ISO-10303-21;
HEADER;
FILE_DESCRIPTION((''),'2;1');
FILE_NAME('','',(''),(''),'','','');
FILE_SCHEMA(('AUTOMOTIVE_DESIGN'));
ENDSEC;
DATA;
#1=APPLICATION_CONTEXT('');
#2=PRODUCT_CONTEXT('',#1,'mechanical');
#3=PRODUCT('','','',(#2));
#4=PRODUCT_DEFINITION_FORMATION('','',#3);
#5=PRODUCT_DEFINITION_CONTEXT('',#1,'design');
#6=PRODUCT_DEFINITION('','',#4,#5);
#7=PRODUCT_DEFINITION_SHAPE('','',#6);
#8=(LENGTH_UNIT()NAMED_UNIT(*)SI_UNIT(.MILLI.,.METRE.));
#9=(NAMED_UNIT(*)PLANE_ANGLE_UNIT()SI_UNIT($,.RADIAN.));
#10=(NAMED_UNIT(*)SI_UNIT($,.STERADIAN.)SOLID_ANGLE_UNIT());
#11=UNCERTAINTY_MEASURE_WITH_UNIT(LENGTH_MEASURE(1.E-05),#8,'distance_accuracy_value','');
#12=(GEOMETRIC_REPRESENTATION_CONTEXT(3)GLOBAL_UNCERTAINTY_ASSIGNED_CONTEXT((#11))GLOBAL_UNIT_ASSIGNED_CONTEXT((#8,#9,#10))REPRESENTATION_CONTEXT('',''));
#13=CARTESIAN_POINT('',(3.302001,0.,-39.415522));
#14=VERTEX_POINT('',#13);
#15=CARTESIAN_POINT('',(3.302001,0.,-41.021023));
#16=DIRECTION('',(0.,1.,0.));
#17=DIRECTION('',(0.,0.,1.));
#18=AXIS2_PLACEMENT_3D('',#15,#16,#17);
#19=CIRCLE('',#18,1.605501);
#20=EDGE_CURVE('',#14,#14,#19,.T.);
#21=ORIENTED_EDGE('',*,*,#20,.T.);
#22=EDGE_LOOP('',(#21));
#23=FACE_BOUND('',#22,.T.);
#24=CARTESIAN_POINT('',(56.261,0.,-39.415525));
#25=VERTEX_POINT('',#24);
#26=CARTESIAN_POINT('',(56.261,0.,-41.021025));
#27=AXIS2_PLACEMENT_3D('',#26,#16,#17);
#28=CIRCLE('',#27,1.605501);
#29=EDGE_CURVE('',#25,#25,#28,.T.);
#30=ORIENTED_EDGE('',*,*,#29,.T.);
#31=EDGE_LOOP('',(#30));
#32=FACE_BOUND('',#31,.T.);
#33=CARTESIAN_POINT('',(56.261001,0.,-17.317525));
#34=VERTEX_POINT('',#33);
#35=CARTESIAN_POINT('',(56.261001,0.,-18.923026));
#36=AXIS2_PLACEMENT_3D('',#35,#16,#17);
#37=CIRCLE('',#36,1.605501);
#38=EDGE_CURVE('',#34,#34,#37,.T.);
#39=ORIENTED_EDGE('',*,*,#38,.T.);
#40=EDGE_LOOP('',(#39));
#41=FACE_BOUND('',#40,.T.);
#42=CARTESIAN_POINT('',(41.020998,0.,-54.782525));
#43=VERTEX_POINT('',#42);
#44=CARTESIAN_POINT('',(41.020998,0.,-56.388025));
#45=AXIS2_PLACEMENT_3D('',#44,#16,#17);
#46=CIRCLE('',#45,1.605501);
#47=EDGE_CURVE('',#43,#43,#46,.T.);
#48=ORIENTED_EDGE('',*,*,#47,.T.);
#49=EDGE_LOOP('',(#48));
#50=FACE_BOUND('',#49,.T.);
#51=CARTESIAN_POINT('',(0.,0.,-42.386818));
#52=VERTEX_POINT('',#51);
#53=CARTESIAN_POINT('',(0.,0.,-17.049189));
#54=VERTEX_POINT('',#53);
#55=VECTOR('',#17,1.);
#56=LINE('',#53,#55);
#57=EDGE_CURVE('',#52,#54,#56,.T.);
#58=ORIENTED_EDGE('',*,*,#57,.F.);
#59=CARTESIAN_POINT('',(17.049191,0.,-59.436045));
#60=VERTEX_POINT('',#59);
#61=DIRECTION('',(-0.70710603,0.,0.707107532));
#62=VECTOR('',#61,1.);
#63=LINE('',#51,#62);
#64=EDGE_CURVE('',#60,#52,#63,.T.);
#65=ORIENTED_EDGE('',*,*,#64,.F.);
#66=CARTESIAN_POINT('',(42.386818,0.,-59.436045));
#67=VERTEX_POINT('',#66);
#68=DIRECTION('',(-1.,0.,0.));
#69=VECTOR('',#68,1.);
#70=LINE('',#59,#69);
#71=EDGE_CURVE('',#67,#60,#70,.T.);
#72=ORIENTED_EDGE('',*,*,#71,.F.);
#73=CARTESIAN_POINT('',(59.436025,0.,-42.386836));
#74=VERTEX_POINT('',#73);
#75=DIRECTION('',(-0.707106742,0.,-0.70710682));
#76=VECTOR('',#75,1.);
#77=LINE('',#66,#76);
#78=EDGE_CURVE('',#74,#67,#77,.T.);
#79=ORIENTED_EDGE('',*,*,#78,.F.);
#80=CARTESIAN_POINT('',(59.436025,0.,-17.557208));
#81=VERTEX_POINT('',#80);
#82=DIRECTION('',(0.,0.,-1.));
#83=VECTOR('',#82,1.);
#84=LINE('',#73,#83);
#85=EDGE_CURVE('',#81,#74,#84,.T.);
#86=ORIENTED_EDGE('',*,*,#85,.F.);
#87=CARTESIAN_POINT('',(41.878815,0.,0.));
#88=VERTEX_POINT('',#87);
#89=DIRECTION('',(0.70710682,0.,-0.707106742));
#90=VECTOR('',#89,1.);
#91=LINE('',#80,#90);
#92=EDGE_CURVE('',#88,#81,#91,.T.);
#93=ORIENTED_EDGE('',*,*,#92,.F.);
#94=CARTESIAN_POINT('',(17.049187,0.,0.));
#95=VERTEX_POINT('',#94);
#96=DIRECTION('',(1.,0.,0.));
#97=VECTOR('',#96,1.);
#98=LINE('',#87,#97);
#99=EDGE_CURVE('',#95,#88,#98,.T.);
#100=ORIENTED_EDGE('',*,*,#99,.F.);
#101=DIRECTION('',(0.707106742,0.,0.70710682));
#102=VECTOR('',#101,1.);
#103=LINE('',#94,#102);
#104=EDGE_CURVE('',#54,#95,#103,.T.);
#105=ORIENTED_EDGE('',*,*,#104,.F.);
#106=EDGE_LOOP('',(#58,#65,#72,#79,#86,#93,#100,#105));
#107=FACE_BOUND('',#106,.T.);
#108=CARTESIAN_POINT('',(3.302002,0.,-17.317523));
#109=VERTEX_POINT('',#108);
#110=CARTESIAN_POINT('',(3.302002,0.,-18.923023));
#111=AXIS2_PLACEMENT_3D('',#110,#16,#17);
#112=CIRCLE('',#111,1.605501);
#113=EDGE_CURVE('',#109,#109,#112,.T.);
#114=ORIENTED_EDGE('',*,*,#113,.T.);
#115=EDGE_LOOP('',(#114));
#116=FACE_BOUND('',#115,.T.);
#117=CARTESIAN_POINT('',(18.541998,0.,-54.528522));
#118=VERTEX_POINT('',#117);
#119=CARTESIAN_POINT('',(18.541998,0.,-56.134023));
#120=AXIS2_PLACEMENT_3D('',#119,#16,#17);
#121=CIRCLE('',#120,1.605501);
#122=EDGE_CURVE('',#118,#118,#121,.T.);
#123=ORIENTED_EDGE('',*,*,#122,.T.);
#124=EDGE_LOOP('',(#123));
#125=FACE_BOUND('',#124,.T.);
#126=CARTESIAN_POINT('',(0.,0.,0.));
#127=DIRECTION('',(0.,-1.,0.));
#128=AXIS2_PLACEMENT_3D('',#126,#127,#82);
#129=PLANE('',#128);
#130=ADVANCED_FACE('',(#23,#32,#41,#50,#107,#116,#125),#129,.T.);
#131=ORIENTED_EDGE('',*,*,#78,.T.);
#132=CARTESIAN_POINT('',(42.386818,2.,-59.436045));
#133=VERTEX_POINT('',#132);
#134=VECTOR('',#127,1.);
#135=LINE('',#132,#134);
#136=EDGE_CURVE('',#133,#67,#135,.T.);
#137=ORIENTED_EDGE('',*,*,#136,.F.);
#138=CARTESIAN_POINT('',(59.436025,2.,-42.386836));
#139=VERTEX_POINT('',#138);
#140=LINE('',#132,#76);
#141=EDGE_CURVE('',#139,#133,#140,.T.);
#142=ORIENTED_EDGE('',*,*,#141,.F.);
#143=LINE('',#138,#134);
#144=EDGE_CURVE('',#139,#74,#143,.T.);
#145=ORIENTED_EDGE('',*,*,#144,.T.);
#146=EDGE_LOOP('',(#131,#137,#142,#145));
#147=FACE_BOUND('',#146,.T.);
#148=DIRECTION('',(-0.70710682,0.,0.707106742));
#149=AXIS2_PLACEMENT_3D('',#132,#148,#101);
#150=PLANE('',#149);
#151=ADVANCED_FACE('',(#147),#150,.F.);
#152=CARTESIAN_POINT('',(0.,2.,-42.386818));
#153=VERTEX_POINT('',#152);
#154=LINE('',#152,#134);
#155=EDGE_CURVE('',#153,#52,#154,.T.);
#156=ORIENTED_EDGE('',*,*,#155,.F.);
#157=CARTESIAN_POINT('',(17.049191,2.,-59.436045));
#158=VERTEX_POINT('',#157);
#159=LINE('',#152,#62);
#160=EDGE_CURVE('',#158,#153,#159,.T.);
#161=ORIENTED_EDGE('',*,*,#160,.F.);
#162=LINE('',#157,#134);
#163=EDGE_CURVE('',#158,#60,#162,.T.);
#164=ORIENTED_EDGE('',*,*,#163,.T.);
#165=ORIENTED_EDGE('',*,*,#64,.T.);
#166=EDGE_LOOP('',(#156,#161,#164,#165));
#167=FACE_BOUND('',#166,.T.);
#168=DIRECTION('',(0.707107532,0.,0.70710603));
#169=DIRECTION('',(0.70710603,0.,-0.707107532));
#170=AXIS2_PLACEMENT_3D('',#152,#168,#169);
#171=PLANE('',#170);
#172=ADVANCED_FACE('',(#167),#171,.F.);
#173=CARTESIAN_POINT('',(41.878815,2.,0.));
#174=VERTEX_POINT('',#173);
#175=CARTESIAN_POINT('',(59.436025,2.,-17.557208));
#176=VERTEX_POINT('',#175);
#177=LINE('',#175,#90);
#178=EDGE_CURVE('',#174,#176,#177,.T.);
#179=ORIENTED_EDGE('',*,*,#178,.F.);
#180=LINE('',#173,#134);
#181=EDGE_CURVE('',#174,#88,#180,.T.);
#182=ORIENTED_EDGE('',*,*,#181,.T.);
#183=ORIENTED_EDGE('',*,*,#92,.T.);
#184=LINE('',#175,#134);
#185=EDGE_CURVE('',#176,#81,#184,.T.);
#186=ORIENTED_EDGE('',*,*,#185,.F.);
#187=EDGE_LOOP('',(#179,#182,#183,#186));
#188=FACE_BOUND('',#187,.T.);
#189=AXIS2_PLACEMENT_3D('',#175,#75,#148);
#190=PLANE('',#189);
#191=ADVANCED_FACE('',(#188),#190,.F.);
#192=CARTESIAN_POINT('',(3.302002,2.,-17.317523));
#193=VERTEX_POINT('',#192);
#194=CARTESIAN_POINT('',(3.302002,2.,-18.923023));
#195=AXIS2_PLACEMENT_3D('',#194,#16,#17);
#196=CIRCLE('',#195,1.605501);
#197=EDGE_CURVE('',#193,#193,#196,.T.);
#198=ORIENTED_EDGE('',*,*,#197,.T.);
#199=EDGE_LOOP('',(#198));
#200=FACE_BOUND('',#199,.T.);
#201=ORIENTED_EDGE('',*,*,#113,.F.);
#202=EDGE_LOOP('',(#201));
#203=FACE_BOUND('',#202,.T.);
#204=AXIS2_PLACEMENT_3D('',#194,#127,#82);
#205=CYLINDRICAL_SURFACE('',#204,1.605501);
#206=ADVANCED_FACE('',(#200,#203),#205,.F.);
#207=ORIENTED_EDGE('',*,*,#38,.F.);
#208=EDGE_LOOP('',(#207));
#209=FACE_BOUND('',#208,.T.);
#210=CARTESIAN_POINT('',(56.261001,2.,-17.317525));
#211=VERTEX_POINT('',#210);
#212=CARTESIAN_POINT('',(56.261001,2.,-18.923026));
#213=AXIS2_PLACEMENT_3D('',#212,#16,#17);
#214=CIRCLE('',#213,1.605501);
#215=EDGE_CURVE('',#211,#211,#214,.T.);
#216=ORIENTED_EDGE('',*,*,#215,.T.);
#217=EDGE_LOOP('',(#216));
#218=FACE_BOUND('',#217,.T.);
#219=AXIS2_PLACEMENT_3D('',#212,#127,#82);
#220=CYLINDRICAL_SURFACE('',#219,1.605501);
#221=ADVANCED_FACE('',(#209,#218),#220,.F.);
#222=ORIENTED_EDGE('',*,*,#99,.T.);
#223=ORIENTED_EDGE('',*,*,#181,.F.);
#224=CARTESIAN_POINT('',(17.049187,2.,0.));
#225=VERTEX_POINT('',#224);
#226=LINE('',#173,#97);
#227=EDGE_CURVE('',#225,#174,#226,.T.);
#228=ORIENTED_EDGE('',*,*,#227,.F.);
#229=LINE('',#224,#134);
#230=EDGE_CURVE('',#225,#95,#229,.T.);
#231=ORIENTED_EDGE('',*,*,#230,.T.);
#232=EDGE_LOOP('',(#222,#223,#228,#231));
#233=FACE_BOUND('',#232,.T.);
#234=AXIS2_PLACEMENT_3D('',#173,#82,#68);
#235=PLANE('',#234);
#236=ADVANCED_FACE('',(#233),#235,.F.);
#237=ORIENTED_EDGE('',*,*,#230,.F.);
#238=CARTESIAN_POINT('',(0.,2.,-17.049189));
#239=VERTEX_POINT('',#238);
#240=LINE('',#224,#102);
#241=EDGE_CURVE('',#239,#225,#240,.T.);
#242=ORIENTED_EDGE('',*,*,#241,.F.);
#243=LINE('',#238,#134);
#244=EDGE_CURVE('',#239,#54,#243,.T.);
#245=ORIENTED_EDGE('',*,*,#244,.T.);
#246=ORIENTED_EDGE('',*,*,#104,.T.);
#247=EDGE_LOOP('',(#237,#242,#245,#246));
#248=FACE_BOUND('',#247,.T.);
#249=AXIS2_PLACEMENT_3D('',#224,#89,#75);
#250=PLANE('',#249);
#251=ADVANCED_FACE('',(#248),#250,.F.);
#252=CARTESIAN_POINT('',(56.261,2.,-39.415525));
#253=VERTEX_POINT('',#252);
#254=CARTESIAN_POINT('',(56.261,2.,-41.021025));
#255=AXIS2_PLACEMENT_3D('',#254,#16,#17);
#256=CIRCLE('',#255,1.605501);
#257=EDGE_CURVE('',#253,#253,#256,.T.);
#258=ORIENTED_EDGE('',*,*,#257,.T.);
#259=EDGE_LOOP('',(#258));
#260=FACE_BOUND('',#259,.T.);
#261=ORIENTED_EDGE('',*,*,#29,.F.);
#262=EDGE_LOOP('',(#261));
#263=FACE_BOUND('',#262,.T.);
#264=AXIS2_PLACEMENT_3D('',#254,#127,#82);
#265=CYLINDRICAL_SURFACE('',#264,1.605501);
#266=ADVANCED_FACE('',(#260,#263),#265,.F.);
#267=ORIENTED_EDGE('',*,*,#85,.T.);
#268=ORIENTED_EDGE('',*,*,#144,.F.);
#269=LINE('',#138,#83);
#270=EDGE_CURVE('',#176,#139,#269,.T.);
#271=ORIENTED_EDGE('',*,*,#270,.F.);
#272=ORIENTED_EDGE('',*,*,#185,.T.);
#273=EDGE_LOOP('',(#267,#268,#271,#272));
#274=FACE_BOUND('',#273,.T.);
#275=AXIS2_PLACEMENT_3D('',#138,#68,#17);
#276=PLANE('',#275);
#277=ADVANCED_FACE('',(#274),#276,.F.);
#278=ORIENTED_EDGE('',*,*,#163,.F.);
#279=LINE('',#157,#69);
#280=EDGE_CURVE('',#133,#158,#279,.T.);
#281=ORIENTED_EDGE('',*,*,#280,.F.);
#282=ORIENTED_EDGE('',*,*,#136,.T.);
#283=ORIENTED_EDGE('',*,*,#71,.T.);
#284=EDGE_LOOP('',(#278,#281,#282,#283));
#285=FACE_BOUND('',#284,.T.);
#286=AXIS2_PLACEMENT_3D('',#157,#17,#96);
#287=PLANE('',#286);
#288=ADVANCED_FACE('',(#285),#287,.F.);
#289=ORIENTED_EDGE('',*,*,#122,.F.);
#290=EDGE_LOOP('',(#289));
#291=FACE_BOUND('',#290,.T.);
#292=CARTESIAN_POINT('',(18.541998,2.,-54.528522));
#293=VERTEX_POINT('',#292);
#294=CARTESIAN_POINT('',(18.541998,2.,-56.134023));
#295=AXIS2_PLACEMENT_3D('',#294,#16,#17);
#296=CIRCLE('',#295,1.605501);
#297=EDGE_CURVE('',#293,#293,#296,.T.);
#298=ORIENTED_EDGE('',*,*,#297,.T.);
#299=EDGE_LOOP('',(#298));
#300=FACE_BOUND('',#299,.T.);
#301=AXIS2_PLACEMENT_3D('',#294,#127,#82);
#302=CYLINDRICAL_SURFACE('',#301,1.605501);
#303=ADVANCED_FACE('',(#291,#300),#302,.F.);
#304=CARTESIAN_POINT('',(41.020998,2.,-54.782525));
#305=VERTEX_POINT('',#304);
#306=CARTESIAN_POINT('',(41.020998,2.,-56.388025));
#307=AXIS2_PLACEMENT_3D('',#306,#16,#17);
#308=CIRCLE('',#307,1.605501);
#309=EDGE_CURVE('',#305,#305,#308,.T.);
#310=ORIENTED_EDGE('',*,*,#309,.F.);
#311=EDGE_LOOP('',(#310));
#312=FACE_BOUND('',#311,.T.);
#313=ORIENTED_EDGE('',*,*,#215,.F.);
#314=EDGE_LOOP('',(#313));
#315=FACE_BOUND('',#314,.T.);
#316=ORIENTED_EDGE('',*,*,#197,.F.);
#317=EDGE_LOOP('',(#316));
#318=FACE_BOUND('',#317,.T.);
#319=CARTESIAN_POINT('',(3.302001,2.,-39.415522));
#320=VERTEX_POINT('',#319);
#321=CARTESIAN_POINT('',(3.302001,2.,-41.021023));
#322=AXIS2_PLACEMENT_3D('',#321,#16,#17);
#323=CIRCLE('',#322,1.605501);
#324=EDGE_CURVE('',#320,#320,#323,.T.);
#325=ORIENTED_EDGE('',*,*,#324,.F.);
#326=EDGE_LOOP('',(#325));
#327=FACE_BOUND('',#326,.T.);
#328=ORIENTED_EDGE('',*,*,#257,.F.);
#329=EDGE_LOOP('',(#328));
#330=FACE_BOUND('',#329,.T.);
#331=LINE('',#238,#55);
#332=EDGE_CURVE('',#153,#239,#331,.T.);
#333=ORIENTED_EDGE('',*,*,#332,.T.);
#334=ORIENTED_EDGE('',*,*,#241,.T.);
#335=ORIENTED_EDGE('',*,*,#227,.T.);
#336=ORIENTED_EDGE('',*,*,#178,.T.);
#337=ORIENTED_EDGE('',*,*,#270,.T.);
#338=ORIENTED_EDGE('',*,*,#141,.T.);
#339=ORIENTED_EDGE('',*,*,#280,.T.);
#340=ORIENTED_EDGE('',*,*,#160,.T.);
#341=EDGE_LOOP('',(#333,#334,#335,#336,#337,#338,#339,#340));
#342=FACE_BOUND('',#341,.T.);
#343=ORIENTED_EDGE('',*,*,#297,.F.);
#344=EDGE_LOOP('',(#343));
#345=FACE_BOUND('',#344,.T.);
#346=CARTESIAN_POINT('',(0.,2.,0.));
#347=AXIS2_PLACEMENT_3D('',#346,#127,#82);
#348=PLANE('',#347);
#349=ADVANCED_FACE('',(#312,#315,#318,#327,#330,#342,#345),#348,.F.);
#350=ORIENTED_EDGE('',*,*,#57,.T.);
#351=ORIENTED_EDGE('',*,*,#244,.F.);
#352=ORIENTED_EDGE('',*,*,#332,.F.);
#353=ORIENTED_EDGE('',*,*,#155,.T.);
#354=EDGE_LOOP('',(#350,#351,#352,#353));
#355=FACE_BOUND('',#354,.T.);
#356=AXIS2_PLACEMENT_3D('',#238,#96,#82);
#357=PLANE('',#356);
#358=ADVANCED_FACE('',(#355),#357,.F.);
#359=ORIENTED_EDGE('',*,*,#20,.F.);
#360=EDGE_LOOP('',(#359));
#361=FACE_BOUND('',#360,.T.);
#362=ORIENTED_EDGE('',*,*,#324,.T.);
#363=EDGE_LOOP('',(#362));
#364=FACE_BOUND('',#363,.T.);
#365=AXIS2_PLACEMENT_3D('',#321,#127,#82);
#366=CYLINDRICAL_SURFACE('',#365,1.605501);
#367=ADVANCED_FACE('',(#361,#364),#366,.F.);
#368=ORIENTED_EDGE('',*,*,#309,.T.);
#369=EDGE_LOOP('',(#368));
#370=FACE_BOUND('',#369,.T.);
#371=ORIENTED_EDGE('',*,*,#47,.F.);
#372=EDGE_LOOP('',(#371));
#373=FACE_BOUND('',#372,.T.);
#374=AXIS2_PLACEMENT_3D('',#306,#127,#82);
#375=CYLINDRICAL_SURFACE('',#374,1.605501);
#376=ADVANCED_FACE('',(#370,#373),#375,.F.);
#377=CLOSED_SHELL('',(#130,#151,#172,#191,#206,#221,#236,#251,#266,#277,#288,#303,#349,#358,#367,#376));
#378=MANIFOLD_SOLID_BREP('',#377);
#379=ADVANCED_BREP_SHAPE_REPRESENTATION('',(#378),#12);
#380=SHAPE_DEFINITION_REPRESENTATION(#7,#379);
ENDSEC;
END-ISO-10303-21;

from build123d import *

# Parameters (mm, degrees)
SKETCH1_R           = 1.605500579
BOSS_EXTRUDE1_DEPTH = 2


with BuildPart() as part:
    # Sketch1 → Boss-Extrude1 (new body)
    with BuildSketch(Plane(origin=(0, 0, 0), x_dir=(1, 0, 0), z_dir=(0, 1, 0))):
        Polygon((41.878814697, 0), (17.049186707, 0), (0, 17.049188586), (0, 42.386817904), (17.049190507, 59.436044623), (42.386817918, 59.436044623), (59.436024652, 42.38683601), (59.436024652, 17.557208019), align=None)
        with Locations((56.261000782, 18.923025881)):
            Circle(SKETCH1_R, mode=Mode.SUBTRACT)
        with Locations((56.260999728, 41.021025454)):
            Circle(SKETCH1_R, mode=Mode.SUBTRACT)
        with Locations((41.020998031, 56.388025306)):
            Circle(SKETCH1_R, mode=Mode.SUBTRACT)
        with Locations((18.541997952, 56.134022616)):
            Circle(SKETCH1_R, mode=Mode.SUBTRACT)
        with Locations((3.302000809, 41.021022926)):
            Circle(SKETCH1_R, mode=Mode.SUBTRACT)
        with Locations((3.302001864, 18.923023353)):
            Circle(SKETCH1_R, mode=Mode.SUBTRACT)
    extrude(amount=BOSS_EXTRUDE1_DEPTH)


solid = part.part
